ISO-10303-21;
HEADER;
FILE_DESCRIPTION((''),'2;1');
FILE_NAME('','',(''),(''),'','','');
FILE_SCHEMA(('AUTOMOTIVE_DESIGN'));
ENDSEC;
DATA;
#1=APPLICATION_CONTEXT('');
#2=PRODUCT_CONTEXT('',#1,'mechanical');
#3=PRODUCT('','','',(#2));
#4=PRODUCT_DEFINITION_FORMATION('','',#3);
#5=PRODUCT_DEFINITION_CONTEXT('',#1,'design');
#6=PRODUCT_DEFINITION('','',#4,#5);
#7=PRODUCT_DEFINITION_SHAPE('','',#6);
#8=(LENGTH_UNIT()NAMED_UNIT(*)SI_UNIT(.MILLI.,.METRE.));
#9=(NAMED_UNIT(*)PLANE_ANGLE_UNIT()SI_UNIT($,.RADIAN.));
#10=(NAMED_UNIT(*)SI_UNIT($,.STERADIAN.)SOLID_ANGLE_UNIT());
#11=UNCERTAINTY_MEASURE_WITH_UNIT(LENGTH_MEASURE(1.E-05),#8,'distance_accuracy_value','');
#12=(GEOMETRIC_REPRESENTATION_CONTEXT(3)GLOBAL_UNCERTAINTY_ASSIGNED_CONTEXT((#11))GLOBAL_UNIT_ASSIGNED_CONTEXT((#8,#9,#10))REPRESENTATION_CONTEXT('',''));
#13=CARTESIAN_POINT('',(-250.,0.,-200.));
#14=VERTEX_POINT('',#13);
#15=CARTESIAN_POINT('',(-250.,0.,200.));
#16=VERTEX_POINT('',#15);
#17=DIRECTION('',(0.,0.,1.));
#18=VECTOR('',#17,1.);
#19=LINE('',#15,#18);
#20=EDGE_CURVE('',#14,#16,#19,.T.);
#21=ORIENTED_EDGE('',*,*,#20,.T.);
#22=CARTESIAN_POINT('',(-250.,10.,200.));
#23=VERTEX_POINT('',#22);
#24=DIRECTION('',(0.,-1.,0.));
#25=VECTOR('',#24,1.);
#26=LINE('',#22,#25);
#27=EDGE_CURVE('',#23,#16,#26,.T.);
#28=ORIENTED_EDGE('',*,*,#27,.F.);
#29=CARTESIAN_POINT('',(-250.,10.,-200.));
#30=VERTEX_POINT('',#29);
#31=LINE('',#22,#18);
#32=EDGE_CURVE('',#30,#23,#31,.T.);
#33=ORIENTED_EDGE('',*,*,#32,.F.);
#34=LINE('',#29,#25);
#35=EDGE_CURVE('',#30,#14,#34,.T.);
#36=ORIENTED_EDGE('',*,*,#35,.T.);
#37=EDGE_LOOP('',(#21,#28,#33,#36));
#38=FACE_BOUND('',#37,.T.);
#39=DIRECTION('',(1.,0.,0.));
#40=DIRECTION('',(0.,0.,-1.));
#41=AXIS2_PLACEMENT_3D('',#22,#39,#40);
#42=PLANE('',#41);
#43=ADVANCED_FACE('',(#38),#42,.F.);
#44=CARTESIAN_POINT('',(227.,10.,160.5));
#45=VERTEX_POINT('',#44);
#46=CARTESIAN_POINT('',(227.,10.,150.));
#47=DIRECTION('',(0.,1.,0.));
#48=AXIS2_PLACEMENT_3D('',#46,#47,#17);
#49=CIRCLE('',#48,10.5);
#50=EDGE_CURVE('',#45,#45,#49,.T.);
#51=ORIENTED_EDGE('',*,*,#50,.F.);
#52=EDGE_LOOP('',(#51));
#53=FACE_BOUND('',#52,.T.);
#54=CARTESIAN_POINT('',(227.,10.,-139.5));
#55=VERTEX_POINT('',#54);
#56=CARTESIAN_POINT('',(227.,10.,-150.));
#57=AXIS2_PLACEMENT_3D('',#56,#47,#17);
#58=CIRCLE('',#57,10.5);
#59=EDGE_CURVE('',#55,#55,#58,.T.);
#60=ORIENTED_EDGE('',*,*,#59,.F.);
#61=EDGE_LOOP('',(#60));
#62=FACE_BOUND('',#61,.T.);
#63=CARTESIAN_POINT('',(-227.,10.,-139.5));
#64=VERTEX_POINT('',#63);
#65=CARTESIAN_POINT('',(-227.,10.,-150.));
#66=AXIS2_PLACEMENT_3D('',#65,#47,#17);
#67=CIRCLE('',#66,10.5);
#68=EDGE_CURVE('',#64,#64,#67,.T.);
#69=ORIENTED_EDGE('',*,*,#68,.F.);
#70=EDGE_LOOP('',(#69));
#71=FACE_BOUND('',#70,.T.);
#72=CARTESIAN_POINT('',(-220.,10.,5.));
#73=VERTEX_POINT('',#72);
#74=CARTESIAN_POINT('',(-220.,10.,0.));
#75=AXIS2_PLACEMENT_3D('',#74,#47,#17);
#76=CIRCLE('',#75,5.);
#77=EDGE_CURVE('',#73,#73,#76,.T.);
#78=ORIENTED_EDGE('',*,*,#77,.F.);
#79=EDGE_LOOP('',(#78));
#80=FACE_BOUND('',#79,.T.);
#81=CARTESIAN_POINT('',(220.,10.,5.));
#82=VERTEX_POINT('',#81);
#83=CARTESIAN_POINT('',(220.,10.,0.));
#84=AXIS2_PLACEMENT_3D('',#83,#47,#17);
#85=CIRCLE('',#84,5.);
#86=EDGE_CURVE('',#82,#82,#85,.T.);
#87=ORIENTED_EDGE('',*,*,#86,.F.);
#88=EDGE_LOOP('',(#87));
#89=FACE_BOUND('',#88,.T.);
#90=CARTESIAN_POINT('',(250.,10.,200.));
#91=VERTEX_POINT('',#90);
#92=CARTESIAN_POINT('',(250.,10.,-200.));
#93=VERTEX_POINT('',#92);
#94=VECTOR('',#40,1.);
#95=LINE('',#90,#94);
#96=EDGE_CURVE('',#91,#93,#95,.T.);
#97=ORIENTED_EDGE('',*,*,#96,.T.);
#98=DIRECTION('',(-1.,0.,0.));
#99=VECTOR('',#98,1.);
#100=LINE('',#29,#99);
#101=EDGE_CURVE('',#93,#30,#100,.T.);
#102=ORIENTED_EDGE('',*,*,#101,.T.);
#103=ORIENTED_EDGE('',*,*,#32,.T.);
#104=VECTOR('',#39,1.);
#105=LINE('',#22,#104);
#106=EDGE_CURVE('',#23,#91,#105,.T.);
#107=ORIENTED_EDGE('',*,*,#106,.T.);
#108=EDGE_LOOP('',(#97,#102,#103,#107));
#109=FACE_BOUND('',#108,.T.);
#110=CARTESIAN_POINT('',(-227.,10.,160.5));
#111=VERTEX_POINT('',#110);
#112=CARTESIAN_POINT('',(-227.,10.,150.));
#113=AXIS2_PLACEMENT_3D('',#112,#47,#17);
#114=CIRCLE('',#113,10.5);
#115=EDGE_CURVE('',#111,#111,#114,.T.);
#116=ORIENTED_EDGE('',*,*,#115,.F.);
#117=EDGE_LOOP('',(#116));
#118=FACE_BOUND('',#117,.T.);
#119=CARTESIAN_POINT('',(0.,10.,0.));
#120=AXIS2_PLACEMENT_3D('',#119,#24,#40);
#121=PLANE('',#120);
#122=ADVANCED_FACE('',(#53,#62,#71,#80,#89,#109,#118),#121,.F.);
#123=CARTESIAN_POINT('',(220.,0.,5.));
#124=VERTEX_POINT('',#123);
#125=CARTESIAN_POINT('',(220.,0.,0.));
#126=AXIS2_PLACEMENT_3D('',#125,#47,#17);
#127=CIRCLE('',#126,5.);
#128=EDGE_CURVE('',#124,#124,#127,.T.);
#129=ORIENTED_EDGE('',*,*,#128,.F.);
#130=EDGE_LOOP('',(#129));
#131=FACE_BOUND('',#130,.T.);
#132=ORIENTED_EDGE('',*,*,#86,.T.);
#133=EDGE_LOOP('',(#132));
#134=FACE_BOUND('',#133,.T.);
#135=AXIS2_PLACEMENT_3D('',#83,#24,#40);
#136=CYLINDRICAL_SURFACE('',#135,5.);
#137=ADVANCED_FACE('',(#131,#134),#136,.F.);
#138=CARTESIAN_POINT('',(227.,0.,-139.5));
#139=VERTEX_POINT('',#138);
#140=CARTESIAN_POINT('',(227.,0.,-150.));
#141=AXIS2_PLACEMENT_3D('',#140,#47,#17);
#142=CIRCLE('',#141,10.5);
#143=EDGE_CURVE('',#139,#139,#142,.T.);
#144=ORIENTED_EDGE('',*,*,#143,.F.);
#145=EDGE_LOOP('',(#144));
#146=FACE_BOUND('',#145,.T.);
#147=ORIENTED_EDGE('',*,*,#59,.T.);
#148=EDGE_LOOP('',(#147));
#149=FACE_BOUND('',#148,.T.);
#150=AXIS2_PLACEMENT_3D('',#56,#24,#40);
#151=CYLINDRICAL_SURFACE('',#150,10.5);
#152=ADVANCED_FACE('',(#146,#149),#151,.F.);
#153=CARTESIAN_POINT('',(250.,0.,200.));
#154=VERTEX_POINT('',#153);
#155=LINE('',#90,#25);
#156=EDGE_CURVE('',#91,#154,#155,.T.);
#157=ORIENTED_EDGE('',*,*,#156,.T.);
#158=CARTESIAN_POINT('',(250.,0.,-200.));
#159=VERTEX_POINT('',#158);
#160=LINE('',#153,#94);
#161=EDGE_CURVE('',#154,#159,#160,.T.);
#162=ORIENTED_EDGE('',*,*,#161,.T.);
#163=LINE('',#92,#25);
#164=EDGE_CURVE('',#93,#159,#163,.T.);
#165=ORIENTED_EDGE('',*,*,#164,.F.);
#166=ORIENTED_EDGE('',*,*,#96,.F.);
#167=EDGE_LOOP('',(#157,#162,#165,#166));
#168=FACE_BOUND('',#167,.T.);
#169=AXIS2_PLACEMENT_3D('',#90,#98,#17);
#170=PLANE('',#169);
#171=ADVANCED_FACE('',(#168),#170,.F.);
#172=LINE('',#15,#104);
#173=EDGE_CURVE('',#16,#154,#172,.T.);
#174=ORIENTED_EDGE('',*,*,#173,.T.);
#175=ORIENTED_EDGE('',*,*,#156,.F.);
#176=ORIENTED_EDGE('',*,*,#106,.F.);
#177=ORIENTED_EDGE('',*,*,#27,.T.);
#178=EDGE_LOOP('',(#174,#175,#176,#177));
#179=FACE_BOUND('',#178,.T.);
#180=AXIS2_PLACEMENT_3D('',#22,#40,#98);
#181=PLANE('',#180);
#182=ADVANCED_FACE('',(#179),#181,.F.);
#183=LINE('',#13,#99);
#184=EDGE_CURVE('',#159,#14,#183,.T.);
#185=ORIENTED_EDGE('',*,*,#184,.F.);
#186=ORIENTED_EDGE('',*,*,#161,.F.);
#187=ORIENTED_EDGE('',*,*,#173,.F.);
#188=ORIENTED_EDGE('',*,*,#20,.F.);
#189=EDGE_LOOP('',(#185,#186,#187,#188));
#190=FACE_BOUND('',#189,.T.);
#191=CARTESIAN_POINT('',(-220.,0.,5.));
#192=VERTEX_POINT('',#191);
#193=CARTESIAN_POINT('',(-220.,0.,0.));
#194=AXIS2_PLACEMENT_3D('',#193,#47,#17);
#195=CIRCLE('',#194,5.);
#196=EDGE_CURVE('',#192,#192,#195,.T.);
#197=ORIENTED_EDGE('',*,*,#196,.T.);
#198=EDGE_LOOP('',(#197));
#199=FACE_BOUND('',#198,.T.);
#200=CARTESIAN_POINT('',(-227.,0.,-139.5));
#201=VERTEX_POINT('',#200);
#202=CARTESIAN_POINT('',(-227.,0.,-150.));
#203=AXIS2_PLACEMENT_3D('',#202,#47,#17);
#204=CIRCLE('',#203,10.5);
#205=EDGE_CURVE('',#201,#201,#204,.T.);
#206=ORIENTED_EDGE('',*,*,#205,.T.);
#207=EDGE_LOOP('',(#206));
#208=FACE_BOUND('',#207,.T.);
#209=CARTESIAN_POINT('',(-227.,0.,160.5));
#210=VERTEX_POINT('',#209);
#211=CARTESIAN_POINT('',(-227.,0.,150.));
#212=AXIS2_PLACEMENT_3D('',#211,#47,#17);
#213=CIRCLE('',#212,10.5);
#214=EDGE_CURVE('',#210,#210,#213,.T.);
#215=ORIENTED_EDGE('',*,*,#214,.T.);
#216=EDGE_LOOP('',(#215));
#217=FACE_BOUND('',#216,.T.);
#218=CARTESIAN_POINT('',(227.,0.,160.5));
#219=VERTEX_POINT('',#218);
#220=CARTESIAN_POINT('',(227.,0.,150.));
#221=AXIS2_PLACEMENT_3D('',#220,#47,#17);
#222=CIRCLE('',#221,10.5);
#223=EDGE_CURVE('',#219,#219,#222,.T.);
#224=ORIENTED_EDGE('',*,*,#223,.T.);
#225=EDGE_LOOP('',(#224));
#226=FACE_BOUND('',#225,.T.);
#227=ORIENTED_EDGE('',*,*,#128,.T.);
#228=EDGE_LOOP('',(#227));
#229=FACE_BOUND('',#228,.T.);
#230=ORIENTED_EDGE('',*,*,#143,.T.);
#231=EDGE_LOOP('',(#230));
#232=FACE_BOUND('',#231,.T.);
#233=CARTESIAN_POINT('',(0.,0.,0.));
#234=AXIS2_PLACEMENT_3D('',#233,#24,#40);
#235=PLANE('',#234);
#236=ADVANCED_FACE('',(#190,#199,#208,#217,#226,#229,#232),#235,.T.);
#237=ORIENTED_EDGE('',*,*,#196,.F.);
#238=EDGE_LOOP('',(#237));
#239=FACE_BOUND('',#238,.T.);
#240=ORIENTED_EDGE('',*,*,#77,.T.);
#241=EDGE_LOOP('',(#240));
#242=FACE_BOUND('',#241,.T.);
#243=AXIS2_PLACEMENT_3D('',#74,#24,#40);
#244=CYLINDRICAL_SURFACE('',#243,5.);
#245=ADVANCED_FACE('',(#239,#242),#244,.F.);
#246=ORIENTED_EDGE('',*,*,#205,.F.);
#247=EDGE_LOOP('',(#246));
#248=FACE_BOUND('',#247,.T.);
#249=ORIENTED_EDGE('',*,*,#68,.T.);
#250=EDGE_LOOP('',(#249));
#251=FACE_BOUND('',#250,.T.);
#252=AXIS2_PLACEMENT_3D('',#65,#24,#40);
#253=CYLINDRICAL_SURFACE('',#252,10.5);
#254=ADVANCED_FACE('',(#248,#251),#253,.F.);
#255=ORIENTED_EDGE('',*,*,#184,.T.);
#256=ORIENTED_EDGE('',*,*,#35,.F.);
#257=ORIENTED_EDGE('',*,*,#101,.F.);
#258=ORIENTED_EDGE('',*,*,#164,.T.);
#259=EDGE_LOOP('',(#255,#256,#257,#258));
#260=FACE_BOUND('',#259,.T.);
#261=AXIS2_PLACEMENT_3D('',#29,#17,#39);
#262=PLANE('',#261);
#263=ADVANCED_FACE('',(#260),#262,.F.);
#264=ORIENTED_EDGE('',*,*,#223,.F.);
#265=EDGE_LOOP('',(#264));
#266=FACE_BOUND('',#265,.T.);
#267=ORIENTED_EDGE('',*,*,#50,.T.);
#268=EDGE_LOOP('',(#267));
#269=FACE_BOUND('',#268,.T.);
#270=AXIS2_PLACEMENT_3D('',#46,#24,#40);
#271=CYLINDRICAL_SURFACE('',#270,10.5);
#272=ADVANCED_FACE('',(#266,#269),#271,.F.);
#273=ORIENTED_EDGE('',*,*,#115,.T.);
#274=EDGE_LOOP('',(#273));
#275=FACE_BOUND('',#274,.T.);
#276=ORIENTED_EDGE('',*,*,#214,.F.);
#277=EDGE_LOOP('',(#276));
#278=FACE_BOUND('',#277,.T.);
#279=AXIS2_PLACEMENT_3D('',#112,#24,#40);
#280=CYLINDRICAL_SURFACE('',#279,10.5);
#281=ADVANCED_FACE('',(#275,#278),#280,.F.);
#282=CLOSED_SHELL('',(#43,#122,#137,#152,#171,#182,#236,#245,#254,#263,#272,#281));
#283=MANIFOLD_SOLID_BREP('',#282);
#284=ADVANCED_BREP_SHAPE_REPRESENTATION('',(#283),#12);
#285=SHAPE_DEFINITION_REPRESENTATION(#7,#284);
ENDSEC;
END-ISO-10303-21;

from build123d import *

# Parameters (mm, degrees)
SKETCH1_W           = 500
SKETCH1_H           = 400
SKETCH1_R           = 10.5
SKETCH1_R_2         = 5
BOSS_EXTRUDE1_DEPTH = 10


with BuildPart() as part:
    # Sketch1 → Boss-Extrude1 (new body)
    with BuildSketch(Plane(origin=(0, 0, 0), x_dir=(1, 0, 0), z_dir=(0, 1, 0))):
        Rectangle(SKETCH1_W, SKETCH1_H)
        with Locations((-227, 150)):
            Circle(SKETCH1_R, mode=Mode.SUBTRACT)
        with Locations((-227, -150)):
            Circle(SKETCH1_R, mode=Mode.SUBTRACT)
        with Locations((227, -150)):
            Circle(SKETCH1_R, mode=Mode.SUBTRACT)
        with Locations((227, 150)):
            Circle(SKETCH1_R, mode=Mode.SUBTRACT)
        with Locations((-220, 0)):
            Circle(SKETCH1_R_2, mode=Mode.SUBTRACT)
        with Locations((220, 0)):
            Circle(SKETCH1_R_2, mode=Mode.SUBTRACT)
    extrude(amount=BOSS_EXTRUDE1_DEPTH)


solid = part.part
